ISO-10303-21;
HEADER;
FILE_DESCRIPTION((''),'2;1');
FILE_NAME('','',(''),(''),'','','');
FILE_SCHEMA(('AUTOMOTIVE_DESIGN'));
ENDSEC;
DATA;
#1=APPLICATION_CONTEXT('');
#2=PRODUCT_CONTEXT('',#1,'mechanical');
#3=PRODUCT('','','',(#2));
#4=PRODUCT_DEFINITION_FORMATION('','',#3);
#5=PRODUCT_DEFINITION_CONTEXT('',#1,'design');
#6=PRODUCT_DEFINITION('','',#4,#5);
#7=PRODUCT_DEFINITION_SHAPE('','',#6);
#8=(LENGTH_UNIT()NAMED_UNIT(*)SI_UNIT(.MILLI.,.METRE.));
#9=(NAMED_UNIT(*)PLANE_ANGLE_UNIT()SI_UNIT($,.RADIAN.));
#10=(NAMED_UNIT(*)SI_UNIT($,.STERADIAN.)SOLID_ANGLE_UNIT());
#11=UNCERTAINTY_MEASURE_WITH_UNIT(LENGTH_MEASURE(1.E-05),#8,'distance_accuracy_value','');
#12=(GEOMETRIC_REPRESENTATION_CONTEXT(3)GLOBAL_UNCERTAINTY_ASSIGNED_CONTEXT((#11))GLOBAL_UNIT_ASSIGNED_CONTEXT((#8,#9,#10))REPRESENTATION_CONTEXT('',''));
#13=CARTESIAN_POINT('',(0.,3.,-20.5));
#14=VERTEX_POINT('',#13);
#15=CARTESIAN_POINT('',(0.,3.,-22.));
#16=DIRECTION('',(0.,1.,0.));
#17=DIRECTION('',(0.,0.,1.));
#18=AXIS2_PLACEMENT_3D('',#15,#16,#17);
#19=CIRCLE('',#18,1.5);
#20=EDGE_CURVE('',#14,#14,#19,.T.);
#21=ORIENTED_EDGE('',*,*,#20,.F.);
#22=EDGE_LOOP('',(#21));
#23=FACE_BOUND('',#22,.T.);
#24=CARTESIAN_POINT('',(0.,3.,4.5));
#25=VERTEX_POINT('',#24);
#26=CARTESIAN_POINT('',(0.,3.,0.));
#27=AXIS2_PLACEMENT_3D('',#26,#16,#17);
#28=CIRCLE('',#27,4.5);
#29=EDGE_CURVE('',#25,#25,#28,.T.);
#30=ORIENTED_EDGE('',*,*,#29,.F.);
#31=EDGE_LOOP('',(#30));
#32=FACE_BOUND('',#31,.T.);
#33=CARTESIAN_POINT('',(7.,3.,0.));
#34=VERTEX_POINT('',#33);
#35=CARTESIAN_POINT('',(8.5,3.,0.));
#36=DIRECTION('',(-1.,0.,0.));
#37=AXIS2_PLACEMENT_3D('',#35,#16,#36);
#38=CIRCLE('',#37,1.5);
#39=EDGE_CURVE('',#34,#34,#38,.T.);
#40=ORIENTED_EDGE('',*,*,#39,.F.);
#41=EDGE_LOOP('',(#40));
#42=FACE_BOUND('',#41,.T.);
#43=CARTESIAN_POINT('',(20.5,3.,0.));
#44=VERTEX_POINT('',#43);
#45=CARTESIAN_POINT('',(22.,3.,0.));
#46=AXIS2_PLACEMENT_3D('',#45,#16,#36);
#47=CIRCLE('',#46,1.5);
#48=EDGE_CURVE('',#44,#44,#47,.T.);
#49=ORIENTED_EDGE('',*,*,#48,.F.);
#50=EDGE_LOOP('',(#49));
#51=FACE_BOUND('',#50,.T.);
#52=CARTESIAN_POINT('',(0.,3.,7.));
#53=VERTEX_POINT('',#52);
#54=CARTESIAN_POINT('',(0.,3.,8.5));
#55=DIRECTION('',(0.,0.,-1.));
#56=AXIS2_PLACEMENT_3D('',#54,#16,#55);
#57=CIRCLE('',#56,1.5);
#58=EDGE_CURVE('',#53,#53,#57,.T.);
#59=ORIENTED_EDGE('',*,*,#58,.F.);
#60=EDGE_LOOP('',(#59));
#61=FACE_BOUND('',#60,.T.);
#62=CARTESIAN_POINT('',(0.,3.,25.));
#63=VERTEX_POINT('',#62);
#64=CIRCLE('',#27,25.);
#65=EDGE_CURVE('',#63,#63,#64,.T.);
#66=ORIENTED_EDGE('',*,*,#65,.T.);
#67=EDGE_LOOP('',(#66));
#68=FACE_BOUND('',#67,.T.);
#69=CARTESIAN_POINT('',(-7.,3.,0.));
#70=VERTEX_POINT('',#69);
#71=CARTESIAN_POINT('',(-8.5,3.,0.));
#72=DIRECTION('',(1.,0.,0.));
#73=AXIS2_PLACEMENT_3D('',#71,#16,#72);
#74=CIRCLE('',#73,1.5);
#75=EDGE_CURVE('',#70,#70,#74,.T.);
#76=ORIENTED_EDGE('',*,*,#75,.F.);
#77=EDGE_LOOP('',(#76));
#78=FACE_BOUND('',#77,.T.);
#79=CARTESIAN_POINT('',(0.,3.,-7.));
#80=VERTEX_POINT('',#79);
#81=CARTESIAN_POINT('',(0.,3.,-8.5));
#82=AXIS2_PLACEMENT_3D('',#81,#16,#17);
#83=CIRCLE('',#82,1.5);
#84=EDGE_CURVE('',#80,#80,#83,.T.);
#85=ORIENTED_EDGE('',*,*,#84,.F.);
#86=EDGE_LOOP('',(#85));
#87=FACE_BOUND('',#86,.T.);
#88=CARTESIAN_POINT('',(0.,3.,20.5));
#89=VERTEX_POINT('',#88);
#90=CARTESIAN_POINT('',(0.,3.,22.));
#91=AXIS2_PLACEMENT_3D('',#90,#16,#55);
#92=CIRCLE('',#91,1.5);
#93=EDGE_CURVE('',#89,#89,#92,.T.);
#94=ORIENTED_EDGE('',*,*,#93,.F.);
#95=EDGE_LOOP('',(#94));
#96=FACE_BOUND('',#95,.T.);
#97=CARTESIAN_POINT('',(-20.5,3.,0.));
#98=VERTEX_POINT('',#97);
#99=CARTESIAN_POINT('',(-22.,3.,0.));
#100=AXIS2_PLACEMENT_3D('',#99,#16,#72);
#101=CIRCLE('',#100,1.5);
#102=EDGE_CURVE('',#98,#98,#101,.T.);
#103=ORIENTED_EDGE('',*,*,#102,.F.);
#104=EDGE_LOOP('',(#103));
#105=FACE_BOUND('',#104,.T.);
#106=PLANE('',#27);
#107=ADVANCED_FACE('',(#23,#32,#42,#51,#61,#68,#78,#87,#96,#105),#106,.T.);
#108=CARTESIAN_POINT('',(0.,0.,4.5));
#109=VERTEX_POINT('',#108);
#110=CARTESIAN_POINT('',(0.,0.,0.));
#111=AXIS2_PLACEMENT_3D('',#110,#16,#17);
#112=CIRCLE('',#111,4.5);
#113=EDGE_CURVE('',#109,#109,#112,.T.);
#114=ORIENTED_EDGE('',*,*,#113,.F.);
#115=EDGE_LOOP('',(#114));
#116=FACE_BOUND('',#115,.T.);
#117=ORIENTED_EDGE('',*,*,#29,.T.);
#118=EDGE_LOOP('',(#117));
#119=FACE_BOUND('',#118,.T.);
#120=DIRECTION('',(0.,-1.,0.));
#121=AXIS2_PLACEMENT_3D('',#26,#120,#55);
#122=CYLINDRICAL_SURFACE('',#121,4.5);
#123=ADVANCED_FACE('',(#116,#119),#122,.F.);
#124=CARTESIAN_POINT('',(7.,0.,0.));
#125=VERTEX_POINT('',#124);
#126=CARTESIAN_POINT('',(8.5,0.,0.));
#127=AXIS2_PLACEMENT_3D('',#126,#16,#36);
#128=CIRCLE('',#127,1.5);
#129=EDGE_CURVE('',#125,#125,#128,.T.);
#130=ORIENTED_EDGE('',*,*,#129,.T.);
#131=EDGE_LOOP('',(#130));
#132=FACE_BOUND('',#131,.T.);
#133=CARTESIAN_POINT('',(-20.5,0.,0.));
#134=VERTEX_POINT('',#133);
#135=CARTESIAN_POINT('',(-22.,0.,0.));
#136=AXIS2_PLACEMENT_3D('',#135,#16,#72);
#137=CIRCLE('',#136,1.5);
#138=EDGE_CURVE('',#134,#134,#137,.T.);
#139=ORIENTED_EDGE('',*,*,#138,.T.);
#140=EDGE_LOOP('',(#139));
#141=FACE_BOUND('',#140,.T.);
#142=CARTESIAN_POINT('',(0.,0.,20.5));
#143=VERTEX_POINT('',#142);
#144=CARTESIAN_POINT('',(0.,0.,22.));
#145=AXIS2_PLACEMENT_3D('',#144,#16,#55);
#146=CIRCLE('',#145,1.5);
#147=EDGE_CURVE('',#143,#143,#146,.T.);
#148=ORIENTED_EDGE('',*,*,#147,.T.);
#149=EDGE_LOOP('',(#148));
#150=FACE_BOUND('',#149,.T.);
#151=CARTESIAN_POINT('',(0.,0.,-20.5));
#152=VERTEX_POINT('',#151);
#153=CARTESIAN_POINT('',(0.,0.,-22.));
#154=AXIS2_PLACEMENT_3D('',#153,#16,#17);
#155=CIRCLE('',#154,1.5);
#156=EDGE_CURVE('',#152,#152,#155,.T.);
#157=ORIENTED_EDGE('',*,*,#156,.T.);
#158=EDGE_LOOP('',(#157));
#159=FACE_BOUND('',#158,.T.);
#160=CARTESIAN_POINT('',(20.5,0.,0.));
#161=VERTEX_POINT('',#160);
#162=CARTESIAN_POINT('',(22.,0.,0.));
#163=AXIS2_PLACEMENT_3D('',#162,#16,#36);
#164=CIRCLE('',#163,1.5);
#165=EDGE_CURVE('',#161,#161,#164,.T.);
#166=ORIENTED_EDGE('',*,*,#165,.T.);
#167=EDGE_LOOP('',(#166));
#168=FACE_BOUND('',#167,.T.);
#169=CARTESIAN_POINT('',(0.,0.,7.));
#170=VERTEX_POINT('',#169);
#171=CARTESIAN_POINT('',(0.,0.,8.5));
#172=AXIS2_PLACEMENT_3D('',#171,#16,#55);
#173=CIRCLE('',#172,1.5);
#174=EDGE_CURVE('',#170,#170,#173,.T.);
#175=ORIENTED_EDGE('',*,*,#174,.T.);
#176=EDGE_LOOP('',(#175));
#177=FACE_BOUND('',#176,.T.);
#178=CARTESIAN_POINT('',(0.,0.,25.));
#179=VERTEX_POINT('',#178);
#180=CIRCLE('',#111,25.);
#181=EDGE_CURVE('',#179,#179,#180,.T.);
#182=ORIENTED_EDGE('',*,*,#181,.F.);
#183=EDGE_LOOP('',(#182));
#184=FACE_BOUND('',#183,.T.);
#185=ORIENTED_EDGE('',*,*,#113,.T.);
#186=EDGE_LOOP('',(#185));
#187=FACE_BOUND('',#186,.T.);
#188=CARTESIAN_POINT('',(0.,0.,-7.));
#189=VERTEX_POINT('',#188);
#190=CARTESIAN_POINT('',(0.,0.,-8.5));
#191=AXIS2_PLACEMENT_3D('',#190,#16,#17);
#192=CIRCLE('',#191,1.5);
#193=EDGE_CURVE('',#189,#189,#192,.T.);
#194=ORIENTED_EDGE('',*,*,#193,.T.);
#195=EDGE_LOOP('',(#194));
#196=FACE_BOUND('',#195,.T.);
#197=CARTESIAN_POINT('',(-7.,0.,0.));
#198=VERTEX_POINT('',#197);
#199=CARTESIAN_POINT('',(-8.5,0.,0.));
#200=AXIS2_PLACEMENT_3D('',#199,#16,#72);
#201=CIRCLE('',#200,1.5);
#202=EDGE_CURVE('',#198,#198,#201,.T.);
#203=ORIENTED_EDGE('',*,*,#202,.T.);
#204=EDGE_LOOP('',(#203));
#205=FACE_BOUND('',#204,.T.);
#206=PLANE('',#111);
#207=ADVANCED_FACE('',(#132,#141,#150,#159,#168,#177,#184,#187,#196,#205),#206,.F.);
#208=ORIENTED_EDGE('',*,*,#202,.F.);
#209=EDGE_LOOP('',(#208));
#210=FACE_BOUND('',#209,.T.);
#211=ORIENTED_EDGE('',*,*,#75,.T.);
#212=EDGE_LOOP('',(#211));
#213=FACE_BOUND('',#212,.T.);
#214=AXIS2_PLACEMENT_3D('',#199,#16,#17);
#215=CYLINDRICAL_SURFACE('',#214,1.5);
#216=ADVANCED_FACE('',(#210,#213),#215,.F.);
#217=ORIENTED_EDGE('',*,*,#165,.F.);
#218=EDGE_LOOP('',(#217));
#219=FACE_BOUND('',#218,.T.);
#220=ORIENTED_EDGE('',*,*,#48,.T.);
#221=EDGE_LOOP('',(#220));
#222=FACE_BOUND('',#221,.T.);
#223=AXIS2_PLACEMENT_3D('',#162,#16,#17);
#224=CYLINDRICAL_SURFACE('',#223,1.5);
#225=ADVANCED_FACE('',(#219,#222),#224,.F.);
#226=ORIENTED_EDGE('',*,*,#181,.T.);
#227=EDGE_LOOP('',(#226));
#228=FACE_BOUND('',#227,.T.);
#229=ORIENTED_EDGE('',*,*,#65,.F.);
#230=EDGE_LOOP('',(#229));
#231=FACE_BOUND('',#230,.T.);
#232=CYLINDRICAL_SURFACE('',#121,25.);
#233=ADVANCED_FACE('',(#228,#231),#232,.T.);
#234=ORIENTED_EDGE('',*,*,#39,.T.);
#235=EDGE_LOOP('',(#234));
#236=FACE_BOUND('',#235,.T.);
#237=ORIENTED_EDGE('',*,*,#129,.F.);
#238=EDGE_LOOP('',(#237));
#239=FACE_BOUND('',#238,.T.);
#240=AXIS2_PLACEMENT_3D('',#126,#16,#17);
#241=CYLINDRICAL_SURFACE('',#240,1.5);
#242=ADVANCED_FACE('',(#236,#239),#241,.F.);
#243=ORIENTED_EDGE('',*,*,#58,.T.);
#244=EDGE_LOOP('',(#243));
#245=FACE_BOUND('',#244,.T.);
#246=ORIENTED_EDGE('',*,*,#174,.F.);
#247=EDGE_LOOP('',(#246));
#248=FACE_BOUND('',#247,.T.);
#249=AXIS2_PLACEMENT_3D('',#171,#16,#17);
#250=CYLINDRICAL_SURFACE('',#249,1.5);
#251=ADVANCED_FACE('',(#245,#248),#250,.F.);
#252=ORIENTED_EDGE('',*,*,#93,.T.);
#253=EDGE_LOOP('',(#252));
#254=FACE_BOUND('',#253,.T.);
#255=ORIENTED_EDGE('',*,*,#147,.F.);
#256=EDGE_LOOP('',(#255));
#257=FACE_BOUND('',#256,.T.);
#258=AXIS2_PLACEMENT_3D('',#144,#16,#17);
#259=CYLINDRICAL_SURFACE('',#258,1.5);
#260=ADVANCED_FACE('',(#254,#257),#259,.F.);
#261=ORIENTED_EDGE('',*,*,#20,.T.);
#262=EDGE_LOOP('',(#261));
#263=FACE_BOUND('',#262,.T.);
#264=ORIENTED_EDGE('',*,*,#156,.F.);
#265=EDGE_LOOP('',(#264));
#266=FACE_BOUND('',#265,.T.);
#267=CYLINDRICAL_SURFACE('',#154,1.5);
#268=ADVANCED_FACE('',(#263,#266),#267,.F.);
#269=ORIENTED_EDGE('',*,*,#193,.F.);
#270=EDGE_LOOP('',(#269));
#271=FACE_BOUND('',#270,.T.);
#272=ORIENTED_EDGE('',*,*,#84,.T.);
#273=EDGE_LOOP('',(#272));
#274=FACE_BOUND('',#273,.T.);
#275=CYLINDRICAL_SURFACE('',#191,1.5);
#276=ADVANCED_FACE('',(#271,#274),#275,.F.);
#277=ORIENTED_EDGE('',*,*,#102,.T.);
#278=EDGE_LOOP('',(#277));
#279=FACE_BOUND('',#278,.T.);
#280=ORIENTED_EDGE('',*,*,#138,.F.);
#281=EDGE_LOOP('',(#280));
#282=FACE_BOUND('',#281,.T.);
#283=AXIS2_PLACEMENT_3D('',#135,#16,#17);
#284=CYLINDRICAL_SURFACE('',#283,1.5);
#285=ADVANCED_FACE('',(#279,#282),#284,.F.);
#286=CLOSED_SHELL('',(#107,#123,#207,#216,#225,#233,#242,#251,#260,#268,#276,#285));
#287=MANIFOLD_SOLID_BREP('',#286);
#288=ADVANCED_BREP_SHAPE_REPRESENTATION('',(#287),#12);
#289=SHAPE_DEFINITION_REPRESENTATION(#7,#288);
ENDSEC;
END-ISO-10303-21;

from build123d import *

# Parameters (mm, degrees)
SKETCH1_R           = 25
SKETCH1_R_2         = 4.5
BOSS_EXTRUDE1_DEPTH = 3
SKETCH2_R           = 1.5
CUT_EXTRUDE1_DEPTH  = 36.482389998
CIRPATTERN1_COUNT   = 4
SKETCH3_R           = 1.5
CUT_EXTRUDE3_DEPTH  = 36.482389998
CIRPATTERN2_COUNT   = 4


with BuildPart() as part:
    # Sketch1 → Boss-Extrude1 (new body)
    with BuildSketch(Plane(origin=(0, 0, 0), x_dir=(1, 0, 0), z_dir=(0, 1, 0))):
        with Locations(Location((0, 0, 0), (0, 0, 270))):
            Circle(SKETCH1_R)
        with Locations(Location((0, 0, 0), (0, 0, 270))):
            Circle(SKETCH1_R_2, mode=Mode.SUBTRACT)
    extrude(amount=BOSS_EXTRUDE1_DEPTH)

    # Sketch2 → Cut-Extrude1 (cut, through all)
    with BuildSketch(Plane(origin=(0, 3, 0), x_dir=(1, 0, 0), z_dir=(0, 1, 0))):
        with Locations(Location((0, 8.5, 0), (0, 0, 270))):
            Circle(SKETCH2_R)
    cut_extrude1 = extrude(amount=-CUT_EXTRUDE1_DEPTH, mode=Mode.SUBTRACT)

    # CirPattern1: Cut-Extrude1 ×4 about axis
    cirpattern1_axis = Axis((0, 0, 0), (0, 1, 0))
    for i in range(1, CIRPATTERN1_COUNT):
        add(cut_extrude1.rotate(cirpattern1_axis, i * 360 / CIRPATTERN1_COUNT), mode=Mode.SUBTRACT)

    # Sketch3 → Cut-Extrude3 (cut, through all)
    with BuildSketch(Plane(origin=(0, 3, 0), x_dir=(1, 0, 0), z_dir=(0, 1, 0))):
        with Locations(Location((0, 22, 0), (0, 0, 270))):
            Circle(SKETCH3_R)
    cut_extrude3 = extrude(amount=-CUT_EXTRUDE3_DEPTH, mode=Mode.SUBTRACT)

    # CirPattern2: Cut-Extrude3 ×4 about axis
    cirpattern2_axis = Axis((0, 0, 0), (0, 1, 0))
    for i in range(1, CIRPATTERN2_COUNT):
        add(cut_extrude3.rotate(cirpattern2_axis, i * 360 / CIRPATTERN2_COUNT), mode=Mode.SUBTRACT)


solid = part.part
